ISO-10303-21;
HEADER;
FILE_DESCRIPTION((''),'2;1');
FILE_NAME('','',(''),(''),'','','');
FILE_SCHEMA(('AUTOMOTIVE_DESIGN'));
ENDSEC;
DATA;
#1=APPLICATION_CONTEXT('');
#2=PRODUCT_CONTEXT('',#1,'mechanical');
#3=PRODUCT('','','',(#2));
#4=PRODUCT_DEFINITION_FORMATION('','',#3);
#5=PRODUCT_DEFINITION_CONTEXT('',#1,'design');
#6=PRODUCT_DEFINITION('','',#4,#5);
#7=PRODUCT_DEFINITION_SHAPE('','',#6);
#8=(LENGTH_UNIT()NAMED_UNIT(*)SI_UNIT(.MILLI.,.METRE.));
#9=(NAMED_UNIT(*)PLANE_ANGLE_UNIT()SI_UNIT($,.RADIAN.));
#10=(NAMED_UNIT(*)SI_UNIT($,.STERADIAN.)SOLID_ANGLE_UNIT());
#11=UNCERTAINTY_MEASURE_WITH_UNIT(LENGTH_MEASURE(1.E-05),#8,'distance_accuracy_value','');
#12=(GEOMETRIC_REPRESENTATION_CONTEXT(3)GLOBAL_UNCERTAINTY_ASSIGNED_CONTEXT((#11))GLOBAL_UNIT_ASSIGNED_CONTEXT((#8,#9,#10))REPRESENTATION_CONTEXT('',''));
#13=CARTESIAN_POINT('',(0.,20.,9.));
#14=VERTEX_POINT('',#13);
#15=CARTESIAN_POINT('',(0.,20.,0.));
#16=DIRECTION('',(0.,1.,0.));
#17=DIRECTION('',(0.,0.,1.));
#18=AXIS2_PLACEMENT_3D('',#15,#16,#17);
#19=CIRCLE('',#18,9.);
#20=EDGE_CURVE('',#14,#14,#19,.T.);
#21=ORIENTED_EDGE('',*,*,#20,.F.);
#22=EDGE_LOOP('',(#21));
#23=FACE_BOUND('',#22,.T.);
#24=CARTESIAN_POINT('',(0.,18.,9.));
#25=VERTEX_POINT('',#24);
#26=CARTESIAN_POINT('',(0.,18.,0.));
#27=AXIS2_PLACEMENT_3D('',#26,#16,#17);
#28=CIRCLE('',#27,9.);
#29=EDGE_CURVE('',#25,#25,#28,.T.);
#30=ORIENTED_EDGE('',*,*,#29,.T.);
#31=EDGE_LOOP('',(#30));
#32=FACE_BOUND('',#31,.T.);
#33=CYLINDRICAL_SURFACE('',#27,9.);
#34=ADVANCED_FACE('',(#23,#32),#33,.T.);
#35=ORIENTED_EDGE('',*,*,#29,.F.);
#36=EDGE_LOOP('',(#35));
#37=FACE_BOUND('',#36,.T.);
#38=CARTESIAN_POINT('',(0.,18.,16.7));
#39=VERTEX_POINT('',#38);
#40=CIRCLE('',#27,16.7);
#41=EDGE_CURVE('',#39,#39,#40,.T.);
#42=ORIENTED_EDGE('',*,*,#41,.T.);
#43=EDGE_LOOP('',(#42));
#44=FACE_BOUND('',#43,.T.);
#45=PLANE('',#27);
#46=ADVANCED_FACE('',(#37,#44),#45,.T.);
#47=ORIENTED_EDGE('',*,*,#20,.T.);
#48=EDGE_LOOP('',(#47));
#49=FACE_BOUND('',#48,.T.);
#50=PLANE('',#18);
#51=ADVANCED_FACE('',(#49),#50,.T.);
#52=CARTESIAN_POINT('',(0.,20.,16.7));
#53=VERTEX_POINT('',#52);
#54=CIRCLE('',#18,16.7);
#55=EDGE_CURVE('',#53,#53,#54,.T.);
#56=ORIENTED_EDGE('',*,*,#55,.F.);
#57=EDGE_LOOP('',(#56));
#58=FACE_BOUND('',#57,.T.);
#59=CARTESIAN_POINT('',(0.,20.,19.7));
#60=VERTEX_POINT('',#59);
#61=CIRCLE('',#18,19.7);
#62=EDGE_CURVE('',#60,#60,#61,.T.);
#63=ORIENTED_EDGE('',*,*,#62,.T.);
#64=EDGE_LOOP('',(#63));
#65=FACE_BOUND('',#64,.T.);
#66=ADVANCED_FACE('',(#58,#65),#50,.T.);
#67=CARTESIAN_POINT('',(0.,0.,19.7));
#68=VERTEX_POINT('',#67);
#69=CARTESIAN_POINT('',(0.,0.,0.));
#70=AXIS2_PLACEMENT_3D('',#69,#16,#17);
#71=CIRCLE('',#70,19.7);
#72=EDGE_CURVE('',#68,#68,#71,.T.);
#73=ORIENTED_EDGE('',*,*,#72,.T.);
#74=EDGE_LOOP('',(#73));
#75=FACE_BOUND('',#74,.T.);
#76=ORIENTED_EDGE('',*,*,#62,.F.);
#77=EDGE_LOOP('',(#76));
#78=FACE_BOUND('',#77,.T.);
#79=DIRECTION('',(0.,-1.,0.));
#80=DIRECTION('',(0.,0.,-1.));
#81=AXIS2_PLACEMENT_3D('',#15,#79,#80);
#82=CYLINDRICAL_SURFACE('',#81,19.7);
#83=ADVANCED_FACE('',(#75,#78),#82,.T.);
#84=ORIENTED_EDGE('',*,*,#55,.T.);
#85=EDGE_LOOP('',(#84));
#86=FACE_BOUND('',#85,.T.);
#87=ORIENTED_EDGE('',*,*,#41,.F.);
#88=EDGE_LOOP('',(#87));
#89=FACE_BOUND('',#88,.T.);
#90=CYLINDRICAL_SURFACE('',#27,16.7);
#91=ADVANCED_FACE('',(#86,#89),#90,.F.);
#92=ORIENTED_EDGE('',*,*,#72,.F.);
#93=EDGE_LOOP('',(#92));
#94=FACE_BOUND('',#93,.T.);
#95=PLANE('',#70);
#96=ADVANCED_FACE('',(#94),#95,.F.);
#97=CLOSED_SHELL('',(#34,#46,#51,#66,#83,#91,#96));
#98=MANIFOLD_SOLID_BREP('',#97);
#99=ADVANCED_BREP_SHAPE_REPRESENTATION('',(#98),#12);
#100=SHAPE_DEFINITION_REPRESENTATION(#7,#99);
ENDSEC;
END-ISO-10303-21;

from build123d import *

# Parameters (mm, degrees)
SKETCH1_R           = 19.7
BOSS_EXTRUDE1_DEPTH = 20
SKETCH2_R           = 16.7
SKETCH2_R_2         = 9
CUT_EXTRUDE1_DEPTH  = 2


with BuildPart() as part:
    # Sketch1 → Boss-Extrude1 (new body)
    with BuildSketch(Plane(origin=(0, 0, 0), x_dir=(1, 0, 0), z_dir=(0, 1, 0))):
        with Locations(Location((0, 0, 0), (0, 0, 270))):
            Circle(SKETCH1_R)
    extrude(amount=BOSS_EXTRUDE1_DEPTH)

    # Sketch2 → Cut-Extrude1 (cut)
    with BuildSketch(Plane(origin=(0, 20, 0), x_dir=(1, 0, 0), z_dir=(0, 1, 0))):
        with Locations(Location((0, 0, 0), (0, 0, 270))):
            Circle(SKETCH2_R)
        with Locations(Location((0, 0, 0), (0, 0, 270))):
            Circle(SKETCH2_R_2, mode=Mode.SUBTRACT)
    extrude(amount=-CUT_EXTRUDE1_DEPTH, mode=Mode.SUBTRACT)


solid = part.part
